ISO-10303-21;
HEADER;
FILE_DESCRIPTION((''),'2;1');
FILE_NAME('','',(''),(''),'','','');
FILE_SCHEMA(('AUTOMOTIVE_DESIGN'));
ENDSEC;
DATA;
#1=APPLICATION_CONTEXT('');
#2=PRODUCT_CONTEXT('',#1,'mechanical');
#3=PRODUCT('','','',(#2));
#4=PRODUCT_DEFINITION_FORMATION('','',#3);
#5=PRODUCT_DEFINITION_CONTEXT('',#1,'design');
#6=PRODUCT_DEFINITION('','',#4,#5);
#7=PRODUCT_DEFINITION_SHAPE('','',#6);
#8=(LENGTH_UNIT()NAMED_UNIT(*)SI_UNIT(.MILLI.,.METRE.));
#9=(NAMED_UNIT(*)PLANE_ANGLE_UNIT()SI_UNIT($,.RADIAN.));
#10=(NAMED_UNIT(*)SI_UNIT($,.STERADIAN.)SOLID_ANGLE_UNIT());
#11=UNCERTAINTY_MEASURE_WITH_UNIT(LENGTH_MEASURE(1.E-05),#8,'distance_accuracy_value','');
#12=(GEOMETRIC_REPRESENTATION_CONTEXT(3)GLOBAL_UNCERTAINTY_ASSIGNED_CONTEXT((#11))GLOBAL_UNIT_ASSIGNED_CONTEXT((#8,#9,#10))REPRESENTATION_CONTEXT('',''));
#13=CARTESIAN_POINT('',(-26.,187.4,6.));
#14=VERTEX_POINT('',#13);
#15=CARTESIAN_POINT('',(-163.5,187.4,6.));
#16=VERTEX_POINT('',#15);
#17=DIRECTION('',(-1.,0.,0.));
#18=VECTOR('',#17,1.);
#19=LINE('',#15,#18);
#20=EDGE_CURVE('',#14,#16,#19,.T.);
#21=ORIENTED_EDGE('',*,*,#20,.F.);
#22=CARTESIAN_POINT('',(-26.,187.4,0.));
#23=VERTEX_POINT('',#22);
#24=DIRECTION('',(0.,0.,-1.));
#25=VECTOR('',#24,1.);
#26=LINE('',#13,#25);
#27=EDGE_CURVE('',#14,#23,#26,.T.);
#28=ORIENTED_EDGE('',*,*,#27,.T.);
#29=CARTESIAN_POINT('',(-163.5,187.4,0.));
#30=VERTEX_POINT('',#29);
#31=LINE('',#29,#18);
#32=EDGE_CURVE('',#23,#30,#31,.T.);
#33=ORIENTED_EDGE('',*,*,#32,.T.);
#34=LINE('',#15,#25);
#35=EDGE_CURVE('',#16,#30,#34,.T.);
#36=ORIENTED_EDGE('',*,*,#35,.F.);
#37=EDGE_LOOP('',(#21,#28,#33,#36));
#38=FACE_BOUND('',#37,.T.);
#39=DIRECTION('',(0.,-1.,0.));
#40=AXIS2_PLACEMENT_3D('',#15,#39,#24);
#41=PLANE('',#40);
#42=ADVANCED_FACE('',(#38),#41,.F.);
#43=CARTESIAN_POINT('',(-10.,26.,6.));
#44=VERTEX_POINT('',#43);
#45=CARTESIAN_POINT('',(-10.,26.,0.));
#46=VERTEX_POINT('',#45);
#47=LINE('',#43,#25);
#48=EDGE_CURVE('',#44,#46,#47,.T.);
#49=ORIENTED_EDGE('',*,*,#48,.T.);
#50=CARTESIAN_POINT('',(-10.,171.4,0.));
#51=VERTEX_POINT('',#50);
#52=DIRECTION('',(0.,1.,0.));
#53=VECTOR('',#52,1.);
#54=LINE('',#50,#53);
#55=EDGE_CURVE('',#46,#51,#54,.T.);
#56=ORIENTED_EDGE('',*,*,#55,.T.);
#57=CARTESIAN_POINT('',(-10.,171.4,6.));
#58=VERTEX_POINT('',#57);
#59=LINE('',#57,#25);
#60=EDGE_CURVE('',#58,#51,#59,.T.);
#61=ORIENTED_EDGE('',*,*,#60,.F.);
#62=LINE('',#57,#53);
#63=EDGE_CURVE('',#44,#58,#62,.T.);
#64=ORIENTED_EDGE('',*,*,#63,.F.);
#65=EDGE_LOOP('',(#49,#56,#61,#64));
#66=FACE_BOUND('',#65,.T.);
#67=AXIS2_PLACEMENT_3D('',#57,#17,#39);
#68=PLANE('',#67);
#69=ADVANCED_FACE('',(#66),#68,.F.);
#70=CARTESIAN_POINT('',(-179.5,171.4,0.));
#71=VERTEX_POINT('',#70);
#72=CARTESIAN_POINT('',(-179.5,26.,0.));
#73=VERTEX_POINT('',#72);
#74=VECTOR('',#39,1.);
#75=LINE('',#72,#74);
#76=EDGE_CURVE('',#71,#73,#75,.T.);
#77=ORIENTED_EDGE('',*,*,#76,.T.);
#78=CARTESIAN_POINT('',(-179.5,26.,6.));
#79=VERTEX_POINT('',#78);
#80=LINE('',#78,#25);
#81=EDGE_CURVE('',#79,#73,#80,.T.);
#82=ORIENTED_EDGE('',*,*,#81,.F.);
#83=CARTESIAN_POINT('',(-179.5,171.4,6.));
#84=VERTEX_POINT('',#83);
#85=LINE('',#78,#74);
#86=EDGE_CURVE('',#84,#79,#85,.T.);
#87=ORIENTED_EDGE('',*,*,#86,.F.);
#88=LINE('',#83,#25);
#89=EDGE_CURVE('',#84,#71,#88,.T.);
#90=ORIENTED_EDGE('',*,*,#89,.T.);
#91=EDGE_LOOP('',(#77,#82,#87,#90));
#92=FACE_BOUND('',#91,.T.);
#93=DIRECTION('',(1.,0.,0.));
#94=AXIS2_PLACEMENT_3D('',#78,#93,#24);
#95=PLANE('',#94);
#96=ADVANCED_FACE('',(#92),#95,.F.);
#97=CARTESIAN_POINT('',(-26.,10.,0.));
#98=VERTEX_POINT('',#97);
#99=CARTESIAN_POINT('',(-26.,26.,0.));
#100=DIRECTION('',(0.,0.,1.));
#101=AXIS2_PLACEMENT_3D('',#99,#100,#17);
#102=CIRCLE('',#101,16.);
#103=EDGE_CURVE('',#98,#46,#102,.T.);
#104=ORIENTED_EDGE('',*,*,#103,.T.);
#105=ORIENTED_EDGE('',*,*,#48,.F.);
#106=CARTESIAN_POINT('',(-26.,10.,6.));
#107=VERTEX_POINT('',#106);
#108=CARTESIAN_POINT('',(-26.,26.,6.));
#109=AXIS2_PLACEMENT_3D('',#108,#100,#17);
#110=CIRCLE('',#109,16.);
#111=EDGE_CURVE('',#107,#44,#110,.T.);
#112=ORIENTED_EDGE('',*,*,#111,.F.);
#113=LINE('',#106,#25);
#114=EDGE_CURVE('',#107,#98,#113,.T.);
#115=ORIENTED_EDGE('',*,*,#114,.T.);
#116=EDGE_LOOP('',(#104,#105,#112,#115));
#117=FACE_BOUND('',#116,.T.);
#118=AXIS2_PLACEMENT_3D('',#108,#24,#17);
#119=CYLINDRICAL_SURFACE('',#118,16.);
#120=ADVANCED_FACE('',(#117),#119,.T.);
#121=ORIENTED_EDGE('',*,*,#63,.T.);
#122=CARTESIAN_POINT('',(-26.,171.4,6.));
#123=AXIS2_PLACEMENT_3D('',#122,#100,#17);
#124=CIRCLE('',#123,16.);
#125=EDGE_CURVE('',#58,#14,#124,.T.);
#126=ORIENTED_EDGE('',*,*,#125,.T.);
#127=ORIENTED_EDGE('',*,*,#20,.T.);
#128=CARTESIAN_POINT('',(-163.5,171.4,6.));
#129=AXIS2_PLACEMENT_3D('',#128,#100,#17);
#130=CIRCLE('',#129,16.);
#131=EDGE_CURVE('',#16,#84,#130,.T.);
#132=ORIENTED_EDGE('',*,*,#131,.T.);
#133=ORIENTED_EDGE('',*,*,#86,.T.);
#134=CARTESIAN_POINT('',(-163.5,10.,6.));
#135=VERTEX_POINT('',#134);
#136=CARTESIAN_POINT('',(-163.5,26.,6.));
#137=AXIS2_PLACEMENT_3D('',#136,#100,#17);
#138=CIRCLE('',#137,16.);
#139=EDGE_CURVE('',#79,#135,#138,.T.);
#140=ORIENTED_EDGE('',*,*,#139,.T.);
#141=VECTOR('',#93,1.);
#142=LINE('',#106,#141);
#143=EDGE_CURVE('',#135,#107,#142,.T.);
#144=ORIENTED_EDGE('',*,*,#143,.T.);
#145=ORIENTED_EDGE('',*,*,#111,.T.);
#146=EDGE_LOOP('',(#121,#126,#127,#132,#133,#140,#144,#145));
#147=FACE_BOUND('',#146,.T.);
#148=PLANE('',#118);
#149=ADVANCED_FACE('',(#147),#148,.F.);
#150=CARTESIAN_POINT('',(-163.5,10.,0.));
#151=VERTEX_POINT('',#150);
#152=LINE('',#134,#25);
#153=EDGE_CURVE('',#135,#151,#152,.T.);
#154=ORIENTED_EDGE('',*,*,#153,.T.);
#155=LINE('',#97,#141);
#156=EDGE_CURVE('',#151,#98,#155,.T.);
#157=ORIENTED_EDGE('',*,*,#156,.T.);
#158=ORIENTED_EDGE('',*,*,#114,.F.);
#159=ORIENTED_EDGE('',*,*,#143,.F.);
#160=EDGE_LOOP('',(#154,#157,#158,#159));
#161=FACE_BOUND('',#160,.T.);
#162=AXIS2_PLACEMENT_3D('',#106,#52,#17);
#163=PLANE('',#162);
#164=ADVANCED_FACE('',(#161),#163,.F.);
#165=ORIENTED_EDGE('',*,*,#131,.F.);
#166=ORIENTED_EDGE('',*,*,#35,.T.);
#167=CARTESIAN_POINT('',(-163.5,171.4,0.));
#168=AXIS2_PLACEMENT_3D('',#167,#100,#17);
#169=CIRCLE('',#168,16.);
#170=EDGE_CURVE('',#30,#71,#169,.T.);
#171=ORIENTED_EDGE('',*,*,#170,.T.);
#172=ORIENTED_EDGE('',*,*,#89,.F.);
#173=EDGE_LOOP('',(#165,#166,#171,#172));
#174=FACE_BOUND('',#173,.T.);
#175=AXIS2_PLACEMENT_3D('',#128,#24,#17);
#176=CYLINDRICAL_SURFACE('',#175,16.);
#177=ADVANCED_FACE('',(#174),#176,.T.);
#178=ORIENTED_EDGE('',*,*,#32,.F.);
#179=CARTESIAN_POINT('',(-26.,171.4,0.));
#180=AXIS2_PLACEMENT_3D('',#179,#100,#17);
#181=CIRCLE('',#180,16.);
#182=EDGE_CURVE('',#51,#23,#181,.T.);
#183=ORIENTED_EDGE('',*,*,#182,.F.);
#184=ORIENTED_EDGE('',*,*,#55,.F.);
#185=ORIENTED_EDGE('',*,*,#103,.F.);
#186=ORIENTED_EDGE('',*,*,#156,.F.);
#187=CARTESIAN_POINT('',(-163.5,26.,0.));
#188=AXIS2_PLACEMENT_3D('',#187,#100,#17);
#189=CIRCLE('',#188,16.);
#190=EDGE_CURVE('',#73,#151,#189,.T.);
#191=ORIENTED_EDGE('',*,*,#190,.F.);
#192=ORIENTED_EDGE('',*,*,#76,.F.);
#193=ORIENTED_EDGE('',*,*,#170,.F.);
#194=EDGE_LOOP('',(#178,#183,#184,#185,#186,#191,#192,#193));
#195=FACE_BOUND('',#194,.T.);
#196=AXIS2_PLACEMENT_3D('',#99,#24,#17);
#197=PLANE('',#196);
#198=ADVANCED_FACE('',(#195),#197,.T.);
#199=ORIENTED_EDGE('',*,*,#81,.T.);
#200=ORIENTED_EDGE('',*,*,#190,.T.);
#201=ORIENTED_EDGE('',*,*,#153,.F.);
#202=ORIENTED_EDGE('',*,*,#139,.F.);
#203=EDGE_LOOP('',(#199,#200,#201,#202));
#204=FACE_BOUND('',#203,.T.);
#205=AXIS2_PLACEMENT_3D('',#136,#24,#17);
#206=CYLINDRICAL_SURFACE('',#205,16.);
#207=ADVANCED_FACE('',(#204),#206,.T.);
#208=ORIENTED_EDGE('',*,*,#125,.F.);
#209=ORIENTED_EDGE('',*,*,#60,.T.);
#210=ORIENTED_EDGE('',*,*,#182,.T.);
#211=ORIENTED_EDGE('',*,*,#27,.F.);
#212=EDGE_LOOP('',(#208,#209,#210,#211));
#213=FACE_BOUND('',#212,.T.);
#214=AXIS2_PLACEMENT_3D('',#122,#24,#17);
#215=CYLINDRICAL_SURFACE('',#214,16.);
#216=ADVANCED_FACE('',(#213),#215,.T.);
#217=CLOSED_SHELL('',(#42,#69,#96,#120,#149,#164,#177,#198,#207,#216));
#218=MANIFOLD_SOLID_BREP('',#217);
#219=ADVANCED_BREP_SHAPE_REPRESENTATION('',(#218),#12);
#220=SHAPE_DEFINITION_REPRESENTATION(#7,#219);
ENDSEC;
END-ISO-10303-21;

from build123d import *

# Parameters (mm, degrees)
BOSS_EXTRUDE1_DEPTH = 6


with BuildPart() as part:
    # Sketch1 → Boss-Extrude1 (new body)
    with BuildSketch(Plane.XY):
        with BuildLine():
            Line((-26, 10), (-163.5, 10))
            ThreePointArc((-163.5, 10), (-174.813708499, 14.686291501), (-179.5, 26))
            Line((-179.5, 26), (-179.5, 171.4))
            ThreePointArc((-179.5, 171.4), (-174.813708499, 182.713708499), (-163.5, 187.4))
            Line((-163.5, 187.4), (-26, 187.4))
            ThreePointArc((-26, 187.4), (-14.686291501, 182.713708499), (-10, 171.4))
            Line((-10, 171.4), (-10, 26))
            ThreePointArc((-10, 26), (-14.686291501, 14.686291501), (-26, 10))
        make_face()
    extrude(amount=BOSS_EXTRUDE1_DEPTH)


solid = part.part
